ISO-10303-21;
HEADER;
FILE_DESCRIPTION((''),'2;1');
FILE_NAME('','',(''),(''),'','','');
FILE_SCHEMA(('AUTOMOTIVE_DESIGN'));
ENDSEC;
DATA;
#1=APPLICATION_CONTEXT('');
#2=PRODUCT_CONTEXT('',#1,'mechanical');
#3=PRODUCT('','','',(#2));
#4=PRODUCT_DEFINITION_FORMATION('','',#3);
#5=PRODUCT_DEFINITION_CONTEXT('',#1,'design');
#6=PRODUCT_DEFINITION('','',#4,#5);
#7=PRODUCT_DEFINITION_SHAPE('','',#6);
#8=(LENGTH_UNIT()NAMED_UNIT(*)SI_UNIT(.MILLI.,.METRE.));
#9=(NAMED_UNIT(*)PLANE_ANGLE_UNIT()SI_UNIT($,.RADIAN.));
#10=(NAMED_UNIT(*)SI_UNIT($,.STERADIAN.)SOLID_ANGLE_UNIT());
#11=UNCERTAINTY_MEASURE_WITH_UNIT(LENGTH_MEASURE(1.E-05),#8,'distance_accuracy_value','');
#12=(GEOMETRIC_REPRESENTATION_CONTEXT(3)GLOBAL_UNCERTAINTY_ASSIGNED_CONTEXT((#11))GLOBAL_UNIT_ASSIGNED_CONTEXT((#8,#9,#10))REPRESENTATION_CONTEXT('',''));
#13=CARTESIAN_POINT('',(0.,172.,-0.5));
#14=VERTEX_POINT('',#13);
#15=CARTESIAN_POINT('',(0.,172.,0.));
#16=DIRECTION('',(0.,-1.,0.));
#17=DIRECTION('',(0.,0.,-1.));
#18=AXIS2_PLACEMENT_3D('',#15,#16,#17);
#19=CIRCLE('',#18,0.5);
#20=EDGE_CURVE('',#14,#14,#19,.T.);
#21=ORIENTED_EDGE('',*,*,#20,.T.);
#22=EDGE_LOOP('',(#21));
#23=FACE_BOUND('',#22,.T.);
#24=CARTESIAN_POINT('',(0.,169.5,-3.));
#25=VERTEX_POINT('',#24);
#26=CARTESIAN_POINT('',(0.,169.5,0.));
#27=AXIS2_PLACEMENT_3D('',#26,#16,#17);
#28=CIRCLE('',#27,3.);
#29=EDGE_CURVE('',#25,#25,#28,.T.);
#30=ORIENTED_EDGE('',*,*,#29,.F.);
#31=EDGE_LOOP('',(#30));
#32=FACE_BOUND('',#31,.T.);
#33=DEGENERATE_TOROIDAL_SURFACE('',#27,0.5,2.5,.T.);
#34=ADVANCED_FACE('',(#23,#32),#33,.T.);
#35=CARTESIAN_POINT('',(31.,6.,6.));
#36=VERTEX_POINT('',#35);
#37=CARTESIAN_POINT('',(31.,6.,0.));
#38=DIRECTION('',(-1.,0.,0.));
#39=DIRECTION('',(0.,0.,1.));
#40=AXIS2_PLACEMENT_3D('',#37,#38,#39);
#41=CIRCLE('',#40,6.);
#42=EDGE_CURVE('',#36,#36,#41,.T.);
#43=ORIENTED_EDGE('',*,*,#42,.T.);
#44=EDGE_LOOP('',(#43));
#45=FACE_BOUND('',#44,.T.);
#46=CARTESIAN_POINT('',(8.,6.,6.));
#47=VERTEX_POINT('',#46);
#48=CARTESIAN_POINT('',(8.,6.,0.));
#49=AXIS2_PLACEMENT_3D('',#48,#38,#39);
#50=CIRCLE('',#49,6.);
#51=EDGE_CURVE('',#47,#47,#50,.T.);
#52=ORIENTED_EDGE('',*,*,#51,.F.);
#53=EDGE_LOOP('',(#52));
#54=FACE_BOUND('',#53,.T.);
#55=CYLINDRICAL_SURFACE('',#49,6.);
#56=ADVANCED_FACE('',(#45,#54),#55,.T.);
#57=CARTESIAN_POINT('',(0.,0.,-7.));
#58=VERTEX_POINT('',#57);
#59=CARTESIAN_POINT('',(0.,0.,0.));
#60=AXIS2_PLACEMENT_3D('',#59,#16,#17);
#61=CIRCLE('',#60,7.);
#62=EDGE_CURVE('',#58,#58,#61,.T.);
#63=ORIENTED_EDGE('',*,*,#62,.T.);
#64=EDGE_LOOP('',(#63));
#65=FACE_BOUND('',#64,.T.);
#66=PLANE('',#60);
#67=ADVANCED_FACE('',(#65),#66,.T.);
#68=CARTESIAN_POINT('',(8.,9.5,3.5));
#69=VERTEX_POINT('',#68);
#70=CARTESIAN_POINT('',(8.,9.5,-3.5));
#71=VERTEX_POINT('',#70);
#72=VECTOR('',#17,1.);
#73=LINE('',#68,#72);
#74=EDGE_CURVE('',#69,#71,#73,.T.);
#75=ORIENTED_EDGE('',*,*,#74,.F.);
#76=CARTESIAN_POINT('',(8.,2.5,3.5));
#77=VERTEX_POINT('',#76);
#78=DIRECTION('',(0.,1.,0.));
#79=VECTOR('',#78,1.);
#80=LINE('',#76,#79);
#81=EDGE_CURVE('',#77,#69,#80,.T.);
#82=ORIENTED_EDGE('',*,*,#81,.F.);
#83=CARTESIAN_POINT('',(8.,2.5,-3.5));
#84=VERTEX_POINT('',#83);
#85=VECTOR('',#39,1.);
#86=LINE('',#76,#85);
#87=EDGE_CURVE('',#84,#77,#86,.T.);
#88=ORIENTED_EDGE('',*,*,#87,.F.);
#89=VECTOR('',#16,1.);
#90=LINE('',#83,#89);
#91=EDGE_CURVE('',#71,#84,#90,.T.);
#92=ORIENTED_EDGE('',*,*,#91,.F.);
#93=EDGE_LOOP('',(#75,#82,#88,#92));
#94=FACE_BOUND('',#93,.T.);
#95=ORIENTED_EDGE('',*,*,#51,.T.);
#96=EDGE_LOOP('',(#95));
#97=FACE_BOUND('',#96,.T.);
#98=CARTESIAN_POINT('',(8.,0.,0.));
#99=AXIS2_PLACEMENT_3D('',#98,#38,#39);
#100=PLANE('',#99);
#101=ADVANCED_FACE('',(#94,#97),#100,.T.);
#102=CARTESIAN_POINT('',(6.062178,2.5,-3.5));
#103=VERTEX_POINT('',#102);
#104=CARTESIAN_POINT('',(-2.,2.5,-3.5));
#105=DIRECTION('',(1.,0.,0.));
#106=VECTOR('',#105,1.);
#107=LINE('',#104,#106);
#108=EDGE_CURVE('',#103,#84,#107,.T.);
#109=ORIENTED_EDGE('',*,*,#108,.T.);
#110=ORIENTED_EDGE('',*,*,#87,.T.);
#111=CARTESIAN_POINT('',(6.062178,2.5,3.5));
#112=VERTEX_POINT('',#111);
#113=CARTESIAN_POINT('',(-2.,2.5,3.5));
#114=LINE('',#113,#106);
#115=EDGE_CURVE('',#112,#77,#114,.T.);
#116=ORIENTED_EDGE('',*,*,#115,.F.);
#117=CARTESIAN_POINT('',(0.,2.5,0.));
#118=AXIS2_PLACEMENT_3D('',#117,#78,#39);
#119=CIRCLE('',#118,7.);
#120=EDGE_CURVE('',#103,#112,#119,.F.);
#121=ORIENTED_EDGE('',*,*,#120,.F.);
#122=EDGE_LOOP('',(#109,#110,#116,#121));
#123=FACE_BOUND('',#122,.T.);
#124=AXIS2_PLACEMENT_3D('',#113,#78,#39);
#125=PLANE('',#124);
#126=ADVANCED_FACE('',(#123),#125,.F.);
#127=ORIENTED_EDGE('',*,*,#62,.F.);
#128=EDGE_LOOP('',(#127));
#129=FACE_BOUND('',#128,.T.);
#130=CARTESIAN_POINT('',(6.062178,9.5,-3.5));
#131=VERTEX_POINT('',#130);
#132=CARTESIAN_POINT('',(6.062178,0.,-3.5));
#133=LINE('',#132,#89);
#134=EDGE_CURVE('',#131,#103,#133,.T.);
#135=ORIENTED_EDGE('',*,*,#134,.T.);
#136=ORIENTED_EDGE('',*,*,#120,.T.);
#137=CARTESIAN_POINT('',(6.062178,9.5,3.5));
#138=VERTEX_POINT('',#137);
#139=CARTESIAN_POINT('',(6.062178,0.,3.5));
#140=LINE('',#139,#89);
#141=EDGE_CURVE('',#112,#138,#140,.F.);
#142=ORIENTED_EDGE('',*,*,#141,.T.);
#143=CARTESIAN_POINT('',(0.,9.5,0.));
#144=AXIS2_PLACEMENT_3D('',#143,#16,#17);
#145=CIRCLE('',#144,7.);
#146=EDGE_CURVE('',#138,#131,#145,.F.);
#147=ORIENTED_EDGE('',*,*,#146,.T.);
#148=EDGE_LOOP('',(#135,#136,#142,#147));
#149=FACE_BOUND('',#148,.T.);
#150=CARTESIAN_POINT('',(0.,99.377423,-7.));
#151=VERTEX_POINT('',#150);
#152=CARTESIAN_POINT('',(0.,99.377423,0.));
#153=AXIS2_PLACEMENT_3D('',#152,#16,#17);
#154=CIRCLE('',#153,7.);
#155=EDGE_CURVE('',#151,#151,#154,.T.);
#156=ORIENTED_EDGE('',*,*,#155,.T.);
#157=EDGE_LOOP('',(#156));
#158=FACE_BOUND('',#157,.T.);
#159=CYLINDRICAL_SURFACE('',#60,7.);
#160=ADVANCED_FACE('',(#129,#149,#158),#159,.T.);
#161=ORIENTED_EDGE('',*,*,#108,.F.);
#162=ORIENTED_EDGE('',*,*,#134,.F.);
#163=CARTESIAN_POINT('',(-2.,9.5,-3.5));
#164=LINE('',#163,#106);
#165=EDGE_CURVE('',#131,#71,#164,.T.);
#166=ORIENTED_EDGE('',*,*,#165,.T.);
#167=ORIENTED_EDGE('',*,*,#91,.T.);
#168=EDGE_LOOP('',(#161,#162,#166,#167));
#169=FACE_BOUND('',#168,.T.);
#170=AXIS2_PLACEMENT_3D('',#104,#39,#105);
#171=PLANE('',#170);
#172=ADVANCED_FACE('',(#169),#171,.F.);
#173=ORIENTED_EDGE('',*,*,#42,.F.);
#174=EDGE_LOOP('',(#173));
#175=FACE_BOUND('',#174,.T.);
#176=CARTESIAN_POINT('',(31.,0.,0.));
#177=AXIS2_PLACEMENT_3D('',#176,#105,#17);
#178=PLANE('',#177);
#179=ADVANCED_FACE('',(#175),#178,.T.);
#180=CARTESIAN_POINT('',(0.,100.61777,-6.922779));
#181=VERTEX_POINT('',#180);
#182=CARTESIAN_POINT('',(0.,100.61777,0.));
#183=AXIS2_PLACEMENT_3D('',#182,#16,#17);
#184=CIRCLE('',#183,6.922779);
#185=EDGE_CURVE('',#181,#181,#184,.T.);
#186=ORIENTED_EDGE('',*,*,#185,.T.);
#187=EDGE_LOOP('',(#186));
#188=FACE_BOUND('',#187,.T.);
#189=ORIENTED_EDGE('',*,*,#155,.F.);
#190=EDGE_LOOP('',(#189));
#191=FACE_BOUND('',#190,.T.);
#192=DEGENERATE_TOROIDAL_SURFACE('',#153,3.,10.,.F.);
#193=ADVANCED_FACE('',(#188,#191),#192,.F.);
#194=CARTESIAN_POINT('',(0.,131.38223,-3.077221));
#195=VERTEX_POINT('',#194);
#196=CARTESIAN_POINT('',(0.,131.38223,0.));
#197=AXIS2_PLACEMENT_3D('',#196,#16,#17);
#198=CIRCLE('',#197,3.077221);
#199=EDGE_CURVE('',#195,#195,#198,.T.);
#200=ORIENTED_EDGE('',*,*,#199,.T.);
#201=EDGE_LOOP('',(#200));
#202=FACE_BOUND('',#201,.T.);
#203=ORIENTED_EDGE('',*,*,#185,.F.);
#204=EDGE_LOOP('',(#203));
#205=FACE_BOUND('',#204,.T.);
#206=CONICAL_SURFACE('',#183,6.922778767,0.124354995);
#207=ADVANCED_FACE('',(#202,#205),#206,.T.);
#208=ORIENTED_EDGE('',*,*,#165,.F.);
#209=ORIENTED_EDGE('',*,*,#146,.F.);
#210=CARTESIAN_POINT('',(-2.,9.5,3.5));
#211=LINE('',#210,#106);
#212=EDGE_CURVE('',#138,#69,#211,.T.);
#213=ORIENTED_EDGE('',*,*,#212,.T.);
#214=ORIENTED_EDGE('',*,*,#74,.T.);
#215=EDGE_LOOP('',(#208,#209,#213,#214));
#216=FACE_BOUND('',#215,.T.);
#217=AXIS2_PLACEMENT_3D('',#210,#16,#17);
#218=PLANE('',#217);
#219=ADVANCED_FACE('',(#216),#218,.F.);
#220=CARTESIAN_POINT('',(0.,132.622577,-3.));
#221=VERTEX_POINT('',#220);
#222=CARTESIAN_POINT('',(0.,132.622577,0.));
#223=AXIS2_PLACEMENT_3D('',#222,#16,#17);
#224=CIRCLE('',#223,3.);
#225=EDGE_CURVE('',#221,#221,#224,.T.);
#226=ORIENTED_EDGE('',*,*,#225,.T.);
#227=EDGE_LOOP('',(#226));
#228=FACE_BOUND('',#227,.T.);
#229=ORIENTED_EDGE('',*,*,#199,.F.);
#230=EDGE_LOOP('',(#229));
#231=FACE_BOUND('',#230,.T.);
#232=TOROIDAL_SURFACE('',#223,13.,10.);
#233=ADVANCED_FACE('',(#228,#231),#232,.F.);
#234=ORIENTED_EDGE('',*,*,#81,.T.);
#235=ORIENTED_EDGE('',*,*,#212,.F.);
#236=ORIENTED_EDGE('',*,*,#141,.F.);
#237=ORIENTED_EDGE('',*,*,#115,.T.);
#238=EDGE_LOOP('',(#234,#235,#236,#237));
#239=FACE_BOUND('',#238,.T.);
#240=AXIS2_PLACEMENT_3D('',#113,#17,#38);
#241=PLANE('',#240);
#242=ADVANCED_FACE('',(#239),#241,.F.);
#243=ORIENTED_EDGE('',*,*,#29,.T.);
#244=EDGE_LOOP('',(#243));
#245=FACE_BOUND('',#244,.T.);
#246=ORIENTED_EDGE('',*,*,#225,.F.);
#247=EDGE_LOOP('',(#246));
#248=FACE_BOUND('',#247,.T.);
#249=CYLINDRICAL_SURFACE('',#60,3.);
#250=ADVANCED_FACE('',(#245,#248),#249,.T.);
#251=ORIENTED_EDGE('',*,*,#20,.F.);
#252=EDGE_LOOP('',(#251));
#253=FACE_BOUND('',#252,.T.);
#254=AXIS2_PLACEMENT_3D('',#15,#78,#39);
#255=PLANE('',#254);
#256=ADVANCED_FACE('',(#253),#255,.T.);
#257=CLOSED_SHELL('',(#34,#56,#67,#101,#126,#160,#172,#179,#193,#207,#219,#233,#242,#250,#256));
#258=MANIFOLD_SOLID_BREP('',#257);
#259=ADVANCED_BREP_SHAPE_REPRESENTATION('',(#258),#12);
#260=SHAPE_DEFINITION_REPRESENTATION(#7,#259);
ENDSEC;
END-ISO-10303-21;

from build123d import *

# Parameters (mm, degrees)
SKETCH3_W           = 23
SKETCH3_H           = 6
SKETCH4_W           = 7
SKETCH4_H           = 7
BOSS_EXTRUDE2_DEPTH = 10


with BuildPart() as part:
    # Sketch2 → Antenna (revolve)
    with BuildSketch(Plane.XY, mode=Mode.PRIVATE) as antenna_sk:
        with BuildLine():
            Line((3, 169.5), (3, 132.622577483))
            ThreePointArc((3, 132.622577483), (3.019323979, 132.001203067), (3.077221233, 131.382230137))
            Line((3.077221233, 131.382230137), (6.922778767, 100.617769863))
            ThreePointArc((6.922778767, 100.617769863), (6.980676021, 99.998796933), (7, 99.377422517))
            Line((7, 99.377422517), (7, 0))
            Line((7, 0), (0, 0))
            Line((0, 0), (0, 172))
            Line((0, 172), (0.5, 172))
            ThreePointArc((0.5, 172), (2.267766953, 171.267766953), (3, 169.5))
        make_face()
    revolve(antenna_sk.sketch.rotate(Axis((0, 0, 0), (0, 1, 0)), 90), axis=Axis((0, 0, 0), (0, 1, 0)))



with BuildPart() as body_2:
    # Sketch3 → Revolve2 (revolve)
    with BuildSketch(Plane.XY, mode=Mode.PRIVATE) as revolve2_sk:
        with Locations((19.5, 3)):
            Rectangle(SKETCH3_W, SKETCH3_H)
    revolve(revolve2_sk.sketch.rotate(Axis((8, 6, 0), (1, 0, 0)), 270), axis=Axis((8, 6, 0), (1, 0, 0)))


with BuildPart() as part_1:
    add(part.part)

    add(body_2.part)  # Boss-Extrude2 merges body 2
    # Sketch4 → Boss-Extrude2 (add)
    with BuildSketch(Plane.ZY.offset(-8)):
        with Locations((0, 6)):
            Rectangle(SKETCH4_W, SKETCH4_H)
    extrude(amount=BOSS_EXTRUDE2_DEPTH)


solid = part_1.part
